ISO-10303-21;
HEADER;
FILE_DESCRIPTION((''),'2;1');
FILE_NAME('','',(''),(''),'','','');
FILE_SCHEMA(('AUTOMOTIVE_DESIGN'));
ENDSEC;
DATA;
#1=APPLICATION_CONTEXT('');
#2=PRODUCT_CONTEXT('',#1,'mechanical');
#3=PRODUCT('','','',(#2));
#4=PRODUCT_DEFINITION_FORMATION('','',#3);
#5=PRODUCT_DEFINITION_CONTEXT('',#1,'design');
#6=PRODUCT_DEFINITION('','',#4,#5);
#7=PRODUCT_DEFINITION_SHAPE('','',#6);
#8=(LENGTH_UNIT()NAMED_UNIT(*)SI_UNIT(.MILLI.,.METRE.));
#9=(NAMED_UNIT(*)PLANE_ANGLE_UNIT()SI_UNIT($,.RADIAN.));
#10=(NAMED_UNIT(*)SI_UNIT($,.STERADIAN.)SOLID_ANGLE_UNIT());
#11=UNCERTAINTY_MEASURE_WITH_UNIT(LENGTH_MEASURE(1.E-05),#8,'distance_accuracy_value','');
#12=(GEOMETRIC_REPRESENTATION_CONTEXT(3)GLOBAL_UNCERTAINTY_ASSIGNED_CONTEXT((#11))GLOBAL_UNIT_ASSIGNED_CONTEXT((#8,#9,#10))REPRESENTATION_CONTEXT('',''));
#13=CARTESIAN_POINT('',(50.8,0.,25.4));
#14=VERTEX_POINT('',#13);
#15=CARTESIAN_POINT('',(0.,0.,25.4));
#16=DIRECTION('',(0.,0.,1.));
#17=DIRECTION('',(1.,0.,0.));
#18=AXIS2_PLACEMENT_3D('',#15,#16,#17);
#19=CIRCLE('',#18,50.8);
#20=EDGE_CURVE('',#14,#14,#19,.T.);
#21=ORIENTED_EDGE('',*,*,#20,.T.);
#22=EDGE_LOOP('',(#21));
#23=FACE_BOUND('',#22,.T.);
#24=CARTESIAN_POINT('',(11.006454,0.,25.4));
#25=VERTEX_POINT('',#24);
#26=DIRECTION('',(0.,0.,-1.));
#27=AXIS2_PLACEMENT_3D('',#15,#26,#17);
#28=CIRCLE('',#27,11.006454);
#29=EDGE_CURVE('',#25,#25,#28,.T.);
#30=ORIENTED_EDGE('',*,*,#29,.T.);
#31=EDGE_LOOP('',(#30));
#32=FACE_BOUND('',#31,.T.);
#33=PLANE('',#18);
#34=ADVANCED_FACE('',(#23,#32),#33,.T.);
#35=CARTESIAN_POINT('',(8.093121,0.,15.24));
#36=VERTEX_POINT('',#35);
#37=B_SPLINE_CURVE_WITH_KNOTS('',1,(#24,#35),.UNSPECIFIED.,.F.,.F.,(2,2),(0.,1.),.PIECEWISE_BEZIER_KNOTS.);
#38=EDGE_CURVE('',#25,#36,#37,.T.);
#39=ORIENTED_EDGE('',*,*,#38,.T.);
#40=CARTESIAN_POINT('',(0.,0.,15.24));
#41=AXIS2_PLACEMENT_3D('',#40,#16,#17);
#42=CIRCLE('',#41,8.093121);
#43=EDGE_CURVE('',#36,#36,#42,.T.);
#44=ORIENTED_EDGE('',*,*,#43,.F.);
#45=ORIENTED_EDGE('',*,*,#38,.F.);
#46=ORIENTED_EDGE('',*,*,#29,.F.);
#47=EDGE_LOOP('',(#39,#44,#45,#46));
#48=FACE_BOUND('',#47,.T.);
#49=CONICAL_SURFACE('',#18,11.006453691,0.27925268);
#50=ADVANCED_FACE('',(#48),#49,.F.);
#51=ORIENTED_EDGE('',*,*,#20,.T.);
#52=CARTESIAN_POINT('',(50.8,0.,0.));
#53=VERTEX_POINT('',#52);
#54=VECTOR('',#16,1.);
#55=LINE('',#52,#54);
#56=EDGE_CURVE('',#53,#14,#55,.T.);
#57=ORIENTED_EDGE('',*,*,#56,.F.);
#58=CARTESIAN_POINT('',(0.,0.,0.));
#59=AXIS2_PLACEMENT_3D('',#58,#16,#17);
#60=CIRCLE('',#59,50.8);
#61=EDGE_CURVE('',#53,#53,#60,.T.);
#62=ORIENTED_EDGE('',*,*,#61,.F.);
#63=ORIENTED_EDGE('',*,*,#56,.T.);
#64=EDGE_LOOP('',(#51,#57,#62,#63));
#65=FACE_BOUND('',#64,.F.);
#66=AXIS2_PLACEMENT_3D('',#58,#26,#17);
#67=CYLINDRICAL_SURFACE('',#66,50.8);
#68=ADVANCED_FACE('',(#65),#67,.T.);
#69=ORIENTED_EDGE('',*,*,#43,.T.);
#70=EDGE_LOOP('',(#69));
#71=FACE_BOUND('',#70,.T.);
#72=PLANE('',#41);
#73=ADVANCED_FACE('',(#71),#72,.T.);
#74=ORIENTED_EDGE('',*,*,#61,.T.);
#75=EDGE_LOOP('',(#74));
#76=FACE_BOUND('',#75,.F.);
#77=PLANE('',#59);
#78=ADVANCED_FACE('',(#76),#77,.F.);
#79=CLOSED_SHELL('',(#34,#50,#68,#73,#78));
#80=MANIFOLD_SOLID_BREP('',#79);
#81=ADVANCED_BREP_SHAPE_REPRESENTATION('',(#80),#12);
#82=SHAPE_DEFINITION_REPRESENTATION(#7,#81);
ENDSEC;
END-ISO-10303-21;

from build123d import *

# Parameters (mm, degrees)
F0_R     = 50.8
F1_DEPTH = 25.4
F2_R     = 11.0064536911
F3_DEPTH = 10.16
F3_TAPER = 16


with BuildPart() as f1:
    # F0 (on Top) → F1 (new body)
    with BuildSketch(Plane.XY):
        Circle(F0_R)
    extrude(amount=F1_DEPTH)

    # F2 (on face) → F3 (cut)
    with BuildSketch(Plane.XY.offset(25.4)):
        Circle(F2_R)
    extrude(amount=-F3_DEPTH, taper=F3_TAPER, mode=Mode.SUBTRACT)


solid = f1.part
